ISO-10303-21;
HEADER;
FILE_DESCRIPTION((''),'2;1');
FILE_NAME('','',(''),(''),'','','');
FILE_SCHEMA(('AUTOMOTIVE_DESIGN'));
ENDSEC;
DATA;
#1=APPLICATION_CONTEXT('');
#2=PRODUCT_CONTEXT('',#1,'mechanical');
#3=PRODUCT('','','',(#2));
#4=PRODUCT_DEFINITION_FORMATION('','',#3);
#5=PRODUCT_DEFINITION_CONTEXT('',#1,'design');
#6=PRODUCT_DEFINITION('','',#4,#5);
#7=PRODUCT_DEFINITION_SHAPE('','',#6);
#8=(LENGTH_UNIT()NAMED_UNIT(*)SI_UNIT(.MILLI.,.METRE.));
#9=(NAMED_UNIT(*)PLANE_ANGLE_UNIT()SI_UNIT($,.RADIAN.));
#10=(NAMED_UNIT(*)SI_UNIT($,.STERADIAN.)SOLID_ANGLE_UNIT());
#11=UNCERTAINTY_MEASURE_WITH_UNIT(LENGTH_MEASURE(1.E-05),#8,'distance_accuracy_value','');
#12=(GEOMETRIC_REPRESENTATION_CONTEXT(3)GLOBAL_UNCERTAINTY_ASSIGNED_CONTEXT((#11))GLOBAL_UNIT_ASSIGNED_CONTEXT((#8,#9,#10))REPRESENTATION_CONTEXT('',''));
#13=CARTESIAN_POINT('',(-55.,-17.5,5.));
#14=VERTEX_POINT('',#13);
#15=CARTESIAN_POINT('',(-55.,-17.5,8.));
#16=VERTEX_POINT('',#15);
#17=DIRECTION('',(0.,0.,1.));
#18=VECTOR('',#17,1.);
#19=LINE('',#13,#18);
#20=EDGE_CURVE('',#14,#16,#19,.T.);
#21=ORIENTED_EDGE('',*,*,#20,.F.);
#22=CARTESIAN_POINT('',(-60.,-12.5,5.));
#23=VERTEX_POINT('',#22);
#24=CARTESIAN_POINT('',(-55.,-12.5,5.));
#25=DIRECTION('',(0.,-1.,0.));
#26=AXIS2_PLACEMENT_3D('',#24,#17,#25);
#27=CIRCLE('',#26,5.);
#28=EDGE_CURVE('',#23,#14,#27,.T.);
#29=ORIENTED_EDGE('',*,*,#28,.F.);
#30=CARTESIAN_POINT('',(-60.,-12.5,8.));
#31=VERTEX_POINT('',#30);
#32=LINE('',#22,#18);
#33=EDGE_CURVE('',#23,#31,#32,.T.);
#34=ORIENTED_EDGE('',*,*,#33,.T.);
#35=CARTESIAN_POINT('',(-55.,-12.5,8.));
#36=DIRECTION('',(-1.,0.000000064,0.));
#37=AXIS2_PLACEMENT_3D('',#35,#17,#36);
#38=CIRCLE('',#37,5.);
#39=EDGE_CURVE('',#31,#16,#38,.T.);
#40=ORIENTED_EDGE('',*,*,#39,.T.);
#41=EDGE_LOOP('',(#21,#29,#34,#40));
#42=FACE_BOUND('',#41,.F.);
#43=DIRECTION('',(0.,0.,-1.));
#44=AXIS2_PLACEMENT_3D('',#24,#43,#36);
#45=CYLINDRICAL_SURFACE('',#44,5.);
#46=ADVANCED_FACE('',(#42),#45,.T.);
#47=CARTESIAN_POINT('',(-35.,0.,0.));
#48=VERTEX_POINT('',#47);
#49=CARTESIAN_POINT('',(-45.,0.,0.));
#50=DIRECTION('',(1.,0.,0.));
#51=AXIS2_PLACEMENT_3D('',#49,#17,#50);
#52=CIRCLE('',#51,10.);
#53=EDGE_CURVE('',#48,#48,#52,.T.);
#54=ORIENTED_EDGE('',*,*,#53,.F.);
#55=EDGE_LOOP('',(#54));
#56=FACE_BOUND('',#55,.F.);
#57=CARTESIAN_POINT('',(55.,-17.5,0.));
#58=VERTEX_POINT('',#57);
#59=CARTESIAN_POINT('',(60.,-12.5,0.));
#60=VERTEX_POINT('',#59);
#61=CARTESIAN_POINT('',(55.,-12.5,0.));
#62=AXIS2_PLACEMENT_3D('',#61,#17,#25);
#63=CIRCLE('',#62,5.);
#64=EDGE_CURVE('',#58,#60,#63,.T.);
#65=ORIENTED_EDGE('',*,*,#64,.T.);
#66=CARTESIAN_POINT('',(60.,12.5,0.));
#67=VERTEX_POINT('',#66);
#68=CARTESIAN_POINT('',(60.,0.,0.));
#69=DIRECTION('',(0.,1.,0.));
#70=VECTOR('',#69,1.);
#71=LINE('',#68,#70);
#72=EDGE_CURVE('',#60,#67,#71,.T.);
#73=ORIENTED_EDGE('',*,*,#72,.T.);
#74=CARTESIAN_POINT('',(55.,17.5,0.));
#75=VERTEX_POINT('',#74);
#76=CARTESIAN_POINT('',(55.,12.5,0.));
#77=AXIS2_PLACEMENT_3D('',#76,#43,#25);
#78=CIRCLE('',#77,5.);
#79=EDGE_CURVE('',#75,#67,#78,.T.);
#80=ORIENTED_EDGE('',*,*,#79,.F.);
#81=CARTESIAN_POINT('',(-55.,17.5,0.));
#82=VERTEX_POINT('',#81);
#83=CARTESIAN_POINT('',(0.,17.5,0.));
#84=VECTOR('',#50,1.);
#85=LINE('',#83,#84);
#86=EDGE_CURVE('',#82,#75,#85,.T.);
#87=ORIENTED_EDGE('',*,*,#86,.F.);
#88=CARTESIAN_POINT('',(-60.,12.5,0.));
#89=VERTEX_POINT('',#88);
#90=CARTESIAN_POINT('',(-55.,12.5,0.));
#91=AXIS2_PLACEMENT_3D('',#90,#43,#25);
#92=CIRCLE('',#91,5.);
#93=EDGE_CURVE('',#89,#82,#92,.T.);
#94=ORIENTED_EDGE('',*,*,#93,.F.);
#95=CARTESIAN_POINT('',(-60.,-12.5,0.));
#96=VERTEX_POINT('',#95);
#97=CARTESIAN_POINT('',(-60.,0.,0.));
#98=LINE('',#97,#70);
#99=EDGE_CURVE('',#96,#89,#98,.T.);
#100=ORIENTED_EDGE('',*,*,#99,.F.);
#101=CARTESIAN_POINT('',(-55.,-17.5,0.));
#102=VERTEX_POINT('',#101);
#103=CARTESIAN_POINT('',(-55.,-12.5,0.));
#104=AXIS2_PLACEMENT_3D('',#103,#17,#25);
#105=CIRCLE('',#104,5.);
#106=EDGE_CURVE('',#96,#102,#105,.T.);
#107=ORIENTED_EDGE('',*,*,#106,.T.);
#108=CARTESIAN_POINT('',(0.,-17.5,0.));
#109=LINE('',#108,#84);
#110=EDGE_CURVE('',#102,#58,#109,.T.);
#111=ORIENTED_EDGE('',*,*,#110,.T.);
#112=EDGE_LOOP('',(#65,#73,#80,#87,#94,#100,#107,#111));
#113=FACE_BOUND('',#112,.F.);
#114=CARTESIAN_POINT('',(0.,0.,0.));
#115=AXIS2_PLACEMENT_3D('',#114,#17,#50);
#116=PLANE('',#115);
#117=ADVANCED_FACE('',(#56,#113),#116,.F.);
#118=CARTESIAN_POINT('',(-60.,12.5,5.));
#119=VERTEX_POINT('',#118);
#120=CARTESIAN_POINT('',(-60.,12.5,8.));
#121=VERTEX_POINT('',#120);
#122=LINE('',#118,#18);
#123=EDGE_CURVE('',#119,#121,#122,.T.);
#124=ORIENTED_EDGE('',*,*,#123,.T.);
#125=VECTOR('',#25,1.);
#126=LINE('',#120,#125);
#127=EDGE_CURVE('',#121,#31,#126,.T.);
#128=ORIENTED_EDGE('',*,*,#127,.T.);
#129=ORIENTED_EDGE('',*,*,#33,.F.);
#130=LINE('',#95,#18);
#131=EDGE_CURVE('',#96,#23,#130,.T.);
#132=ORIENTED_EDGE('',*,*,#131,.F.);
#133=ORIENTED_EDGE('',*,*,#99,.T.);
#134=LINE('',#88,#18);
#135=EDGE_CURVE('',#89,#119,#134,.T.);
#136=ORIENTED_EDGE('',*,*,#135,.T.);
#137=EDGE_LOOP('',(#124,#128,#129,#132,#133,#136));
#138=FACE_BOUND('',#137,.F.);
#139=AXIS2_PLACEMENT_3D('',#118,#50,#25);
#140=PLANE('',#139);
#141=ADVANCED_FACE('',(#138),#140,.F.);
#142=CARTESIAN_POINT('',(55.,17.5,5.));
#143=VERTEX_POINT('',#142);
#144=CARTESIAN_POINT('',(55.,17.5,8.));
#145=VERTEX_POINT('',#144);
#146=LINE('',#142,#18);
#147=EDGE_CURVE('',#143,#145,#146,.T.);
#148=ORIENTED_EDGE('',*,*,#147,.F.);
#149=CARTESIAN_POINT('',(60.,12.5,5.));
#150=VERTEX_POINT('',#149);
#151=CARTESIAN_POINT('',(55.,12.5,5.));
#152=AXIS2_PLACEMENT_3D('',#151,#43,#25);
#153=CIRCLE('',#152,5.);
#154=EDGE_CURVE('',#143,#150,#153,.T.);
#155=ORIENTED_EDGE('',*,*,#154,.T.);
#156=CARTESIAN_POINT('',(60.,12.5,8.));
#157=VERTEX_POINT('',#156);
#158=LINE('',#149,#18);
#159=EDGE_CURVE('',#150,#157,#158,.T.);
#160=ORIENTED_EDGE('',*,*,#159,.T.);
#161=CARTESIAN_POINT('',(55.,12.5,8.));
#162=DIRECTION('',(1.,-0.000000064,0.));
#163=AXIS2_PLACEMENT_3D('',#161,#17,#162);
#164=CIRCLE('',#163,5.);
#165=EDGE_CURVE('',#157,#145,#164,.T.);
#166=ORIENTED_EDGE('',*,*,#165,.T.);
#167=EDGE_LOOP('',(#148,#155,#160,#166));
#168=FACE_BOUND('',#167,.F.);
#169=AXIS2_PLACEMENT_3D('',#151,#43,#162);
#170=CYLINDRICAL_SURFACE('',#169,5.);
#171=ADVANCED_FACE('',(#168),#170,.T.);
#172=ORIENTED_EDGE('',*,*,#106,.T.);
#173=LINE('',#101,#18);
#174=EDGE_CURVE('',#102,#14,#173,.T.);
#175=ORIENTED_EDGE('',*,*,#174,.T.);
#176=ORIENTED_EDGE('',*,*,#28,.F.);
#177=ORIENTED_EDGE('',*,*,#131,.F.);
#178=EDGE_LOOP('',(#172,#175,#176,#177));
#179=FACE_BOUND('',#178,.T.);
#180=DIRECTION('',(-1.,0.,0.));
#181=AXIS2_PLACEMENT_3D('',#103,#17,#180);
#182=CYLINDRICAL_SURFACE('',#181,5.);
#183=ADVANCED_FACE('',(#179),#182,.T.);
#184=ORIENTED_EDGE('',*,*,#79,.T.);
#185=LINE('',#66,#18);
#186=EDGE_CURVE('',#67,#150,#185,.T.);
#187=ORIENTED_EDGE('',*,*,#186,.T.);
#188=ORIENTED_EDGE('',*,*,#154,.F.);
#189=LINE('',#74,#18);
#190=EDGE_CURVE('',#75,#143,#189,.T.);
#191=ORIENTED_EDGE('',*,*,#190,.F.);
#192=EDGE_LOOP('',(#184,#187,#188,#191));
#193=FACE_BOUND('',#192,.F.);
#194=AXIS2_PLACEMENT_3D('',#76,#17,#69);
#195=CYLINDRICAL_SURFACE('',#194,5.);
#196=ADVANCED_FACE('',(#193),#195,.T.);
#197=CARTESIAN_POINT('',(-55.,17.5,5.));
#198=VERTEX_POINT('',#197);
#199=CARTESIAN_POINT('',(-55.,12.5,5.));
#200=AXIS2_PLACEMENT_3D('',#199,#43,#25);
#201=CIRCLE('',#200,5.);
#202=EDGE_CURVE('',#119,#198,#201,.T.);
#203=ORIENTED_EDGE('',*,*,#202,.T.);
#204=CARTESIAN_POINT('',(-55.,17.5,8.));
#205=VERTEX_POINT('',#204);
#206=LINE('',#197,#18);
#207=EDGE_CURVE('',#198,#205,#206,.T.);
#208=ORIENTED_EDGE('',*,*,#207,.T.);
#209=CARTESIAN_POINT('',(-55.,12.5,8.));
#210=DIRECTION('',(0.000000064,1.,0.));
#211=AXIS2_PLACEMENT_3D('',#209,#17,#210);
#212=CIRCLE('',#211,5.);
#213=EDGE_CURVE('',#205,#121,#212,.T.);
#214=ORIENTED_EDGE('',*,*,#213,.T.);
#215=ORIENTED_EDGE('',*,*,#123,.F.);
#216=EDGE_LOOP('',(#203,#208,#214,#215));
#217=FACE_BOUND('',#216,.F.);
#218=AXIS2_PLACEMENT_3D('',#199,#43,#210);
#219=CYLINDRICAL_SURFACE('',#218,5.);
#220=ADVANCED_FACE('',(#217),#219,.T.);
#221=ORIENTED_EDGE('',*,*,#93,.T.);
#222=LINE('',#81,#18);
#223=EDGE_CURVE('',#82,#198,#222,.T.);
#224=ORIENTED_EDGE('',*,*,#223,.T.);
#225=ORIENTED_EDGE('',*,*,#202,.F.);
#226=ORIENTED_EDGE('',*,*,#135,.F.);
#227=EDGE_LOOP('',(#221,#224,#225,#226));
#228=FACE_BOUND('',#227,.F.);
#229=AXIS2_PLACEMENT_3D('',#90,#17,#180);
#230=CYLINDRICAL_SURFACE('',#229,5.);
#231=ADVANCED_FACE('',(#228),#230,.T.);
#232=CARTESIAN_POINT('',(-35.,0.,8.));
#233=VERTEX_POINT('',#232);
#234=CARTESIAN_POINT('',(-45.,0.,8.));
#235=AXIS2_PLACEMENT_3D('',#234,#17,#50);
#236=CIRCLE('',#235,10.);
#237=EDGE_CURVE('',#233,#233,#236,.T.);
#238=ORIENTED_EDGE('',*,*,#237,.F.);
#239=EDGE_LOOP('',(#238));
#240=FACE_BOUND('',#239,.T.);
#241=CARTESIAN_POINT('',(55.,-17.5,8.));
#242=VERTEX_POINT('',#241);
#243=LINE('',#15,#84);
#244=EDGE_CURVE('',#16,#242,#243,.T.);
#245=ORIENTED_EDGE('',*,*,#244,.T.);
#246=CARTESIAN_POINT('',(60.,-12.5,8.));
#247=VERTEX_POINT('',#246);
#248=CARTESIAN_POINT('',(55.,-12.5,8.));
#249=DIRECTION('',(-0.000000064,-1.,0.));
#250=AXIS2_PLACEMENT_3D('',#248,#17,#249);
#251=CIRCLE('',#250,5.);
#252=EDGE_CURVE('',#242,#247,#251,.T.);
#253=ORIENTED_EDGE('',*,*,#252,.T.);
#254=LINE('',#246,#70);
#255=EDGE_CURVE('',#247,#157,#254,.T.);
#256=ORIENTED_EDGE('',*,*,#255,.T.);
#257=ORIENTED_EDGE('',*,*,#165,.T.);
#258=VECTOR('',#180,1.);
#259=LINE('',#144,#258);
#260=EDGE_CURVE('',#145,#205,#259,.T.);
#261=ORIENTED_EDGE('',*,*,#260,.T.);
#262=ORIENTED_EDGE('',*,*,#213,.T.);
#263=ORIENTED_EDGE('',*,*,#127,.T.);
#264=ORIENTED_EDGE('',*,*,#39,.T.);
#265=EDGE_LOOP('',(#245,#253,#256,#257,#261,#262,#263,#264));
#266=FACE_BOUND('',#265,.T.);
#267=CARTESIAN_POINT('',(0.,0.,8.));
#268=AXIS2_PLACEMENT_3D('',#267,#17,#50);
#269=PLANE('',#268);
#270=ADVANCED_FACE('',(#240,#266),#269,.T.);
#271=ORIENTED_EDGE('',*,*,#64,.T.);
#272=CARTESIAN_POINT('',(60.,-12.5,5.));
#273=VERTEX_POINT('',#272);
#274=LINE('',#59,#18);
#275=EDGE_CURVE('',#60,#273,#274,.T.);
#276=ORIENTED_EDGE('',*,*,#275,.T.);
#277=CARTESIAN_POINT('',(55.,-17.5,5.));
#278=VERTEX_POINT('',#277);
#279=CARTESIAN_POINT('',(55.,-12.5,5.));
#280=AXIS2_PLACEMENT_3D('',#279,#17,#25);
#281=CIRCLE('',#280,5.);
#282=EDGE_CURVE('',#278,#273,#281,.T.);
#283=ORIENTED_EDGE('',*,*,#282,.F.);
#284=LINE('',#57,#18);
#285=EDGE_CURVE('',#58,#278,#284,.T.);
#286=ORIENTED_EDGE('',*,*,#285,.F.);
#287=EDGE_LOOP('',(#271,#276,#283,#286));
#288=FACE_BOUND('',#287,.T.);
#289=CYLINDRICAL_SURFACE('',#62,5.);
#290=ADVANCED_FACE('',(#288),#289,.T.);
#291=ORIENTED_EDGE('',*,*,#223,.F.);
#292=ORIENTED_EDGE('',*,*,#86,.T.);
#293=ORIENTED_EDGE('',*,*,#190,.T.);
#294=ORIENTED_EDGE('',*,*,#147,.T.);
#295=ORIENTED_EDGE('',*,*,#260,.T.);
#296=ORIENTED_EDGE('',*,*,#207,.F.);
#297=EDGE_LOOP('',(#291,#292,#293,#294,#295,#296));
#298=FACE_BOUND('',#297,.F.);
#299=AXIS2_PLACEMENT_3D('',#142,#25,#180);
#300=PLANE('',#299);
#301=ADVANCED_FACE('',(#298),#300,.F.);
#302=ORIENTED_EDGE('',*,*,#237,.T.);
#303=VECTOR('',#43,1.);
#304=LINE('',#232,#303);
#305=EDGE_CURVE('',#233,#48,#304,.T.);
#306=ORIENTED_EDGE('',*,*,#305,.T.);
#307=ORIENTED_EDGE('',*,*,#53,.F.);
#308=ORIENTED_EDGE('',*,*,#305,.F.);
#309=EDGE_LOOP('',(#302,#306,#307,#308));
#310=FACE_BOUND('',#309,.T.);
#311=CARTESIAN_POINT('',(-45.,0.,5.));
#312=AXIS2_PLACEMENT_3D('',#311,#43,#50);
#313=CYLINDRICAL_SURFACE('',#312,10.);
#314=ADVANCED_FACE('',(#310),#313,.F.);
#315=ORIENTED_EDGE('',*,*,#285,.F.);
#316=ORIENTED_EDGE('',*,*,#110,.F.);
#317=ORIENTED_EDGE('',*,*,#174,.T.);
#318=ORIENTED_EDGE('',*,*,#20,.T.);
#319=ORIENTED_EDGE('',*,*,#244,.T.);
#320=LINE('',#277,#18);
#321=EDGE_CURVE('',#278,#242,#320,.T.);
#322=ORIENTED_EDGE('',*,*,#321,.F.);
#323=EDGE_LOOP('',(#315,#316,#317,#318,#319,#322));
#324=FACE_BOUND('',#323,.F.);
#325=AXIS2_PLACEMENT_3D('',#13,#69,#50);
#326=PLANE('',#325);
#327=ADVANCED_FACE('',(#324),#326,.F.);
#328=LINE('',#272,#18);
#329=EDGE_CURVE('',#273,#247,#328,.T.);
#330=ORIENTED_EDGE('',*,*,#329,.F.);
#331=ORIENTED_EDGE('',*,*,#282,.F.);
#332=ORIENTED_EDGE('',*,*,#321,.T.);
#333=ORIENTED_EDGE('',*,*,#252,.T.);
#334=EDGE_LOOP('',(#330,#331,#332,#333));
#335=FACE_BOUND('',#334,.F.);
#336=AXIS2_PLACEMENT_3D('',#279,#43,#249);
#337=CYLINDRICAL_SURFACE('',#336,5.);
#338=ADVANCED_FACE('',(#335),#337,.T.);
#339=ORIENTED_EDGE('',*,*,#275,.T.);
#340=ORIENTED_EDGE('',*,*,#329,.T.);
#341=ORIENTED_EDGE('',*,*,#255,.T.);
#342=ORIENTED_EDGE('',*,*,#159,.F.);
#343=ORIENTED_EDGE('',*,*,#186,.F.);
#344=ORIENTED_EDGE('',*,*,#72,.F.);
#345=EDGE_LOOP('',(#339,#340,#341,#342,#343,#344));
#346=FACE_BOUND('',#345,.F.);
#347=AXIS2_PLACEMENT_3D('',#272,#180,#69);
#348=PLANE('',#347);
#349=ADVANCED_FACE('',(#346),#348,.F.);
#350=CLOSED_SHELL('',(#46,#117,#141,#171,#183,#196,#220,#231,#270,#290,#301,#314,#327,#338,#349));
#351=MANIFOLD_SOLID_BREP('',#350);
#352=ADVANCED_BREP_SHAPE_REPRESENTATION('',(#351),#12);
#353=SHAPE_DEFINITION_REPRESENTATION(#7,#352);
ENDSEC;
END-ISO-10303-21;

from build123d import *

# Parameters (mm, degrees)
F0_W      = 120
F0_H      = 35
F0_R      = 10
F1_DEPTH  = 5
F2_R      = 5
F1_FACE_R = 10
F3_DEPTH  = 3


with BuildPart() as f1:
    # F0 (on Top) → F1 (new body)
    with BuildSketch(Plane.XY):
        Rectangle(F0_W, F0_H)
        with Locations((-45, 0)):
            Circle(F0_R, mode=Mode.SUBTRACT)
    extrude(amount=F1_DEPTH)

    # F2
    f2_edges = [f1.edges().sort_by_distance(p)[0] for p in [
        (-60, -17.5, 2.5),
        (-60, 17.5, 2.5),
        (60, 17.5, 2.5),
        (60, -17.5, 2.5),
    ]]
    fillet(f2_edges, radius=F2_R)

    # F1_face (on face) → F3 (join)
    with BuildSketch(Plane(origin=(3.658327, 0, 5), x_dir=(1, 0, 0), z_dir=(0, 0, 1))):
        with BuildLine():
            Line((-63.658327, 12.5), (-63.658327, -12.5))
            ThreePointArc((-63.658327, -12.5), (-62.193861, -16.035534), (-58.658327, -17.5))
            Line((-58.658327, -17.5), (51.341673, -17.5))
            ThreePointArc((51.341673, -17.5), (54.877207, -16.035534), (56.341673, -12.5))
            Line((56.341673, -12.5), (56.341673, 12.5))
            ThreePointArc((56.341673, 12.5), (54.877207, 16.035534), (51.341673, 17.5))
            Line((51.341673, 17.5), (-58.658327, 17.5))
            ThreePointArc((-58.658327, 17.5), (-62.193861, 16.035534), (-63.658327, 12.5))
        make_face()
        with Locations((-48.658327, 0)):
            Circle(F1_FACE_R, mode=Mode.SUBTRACT)
    extrude(amount=F3_DEPTH)


solid = f1.part
